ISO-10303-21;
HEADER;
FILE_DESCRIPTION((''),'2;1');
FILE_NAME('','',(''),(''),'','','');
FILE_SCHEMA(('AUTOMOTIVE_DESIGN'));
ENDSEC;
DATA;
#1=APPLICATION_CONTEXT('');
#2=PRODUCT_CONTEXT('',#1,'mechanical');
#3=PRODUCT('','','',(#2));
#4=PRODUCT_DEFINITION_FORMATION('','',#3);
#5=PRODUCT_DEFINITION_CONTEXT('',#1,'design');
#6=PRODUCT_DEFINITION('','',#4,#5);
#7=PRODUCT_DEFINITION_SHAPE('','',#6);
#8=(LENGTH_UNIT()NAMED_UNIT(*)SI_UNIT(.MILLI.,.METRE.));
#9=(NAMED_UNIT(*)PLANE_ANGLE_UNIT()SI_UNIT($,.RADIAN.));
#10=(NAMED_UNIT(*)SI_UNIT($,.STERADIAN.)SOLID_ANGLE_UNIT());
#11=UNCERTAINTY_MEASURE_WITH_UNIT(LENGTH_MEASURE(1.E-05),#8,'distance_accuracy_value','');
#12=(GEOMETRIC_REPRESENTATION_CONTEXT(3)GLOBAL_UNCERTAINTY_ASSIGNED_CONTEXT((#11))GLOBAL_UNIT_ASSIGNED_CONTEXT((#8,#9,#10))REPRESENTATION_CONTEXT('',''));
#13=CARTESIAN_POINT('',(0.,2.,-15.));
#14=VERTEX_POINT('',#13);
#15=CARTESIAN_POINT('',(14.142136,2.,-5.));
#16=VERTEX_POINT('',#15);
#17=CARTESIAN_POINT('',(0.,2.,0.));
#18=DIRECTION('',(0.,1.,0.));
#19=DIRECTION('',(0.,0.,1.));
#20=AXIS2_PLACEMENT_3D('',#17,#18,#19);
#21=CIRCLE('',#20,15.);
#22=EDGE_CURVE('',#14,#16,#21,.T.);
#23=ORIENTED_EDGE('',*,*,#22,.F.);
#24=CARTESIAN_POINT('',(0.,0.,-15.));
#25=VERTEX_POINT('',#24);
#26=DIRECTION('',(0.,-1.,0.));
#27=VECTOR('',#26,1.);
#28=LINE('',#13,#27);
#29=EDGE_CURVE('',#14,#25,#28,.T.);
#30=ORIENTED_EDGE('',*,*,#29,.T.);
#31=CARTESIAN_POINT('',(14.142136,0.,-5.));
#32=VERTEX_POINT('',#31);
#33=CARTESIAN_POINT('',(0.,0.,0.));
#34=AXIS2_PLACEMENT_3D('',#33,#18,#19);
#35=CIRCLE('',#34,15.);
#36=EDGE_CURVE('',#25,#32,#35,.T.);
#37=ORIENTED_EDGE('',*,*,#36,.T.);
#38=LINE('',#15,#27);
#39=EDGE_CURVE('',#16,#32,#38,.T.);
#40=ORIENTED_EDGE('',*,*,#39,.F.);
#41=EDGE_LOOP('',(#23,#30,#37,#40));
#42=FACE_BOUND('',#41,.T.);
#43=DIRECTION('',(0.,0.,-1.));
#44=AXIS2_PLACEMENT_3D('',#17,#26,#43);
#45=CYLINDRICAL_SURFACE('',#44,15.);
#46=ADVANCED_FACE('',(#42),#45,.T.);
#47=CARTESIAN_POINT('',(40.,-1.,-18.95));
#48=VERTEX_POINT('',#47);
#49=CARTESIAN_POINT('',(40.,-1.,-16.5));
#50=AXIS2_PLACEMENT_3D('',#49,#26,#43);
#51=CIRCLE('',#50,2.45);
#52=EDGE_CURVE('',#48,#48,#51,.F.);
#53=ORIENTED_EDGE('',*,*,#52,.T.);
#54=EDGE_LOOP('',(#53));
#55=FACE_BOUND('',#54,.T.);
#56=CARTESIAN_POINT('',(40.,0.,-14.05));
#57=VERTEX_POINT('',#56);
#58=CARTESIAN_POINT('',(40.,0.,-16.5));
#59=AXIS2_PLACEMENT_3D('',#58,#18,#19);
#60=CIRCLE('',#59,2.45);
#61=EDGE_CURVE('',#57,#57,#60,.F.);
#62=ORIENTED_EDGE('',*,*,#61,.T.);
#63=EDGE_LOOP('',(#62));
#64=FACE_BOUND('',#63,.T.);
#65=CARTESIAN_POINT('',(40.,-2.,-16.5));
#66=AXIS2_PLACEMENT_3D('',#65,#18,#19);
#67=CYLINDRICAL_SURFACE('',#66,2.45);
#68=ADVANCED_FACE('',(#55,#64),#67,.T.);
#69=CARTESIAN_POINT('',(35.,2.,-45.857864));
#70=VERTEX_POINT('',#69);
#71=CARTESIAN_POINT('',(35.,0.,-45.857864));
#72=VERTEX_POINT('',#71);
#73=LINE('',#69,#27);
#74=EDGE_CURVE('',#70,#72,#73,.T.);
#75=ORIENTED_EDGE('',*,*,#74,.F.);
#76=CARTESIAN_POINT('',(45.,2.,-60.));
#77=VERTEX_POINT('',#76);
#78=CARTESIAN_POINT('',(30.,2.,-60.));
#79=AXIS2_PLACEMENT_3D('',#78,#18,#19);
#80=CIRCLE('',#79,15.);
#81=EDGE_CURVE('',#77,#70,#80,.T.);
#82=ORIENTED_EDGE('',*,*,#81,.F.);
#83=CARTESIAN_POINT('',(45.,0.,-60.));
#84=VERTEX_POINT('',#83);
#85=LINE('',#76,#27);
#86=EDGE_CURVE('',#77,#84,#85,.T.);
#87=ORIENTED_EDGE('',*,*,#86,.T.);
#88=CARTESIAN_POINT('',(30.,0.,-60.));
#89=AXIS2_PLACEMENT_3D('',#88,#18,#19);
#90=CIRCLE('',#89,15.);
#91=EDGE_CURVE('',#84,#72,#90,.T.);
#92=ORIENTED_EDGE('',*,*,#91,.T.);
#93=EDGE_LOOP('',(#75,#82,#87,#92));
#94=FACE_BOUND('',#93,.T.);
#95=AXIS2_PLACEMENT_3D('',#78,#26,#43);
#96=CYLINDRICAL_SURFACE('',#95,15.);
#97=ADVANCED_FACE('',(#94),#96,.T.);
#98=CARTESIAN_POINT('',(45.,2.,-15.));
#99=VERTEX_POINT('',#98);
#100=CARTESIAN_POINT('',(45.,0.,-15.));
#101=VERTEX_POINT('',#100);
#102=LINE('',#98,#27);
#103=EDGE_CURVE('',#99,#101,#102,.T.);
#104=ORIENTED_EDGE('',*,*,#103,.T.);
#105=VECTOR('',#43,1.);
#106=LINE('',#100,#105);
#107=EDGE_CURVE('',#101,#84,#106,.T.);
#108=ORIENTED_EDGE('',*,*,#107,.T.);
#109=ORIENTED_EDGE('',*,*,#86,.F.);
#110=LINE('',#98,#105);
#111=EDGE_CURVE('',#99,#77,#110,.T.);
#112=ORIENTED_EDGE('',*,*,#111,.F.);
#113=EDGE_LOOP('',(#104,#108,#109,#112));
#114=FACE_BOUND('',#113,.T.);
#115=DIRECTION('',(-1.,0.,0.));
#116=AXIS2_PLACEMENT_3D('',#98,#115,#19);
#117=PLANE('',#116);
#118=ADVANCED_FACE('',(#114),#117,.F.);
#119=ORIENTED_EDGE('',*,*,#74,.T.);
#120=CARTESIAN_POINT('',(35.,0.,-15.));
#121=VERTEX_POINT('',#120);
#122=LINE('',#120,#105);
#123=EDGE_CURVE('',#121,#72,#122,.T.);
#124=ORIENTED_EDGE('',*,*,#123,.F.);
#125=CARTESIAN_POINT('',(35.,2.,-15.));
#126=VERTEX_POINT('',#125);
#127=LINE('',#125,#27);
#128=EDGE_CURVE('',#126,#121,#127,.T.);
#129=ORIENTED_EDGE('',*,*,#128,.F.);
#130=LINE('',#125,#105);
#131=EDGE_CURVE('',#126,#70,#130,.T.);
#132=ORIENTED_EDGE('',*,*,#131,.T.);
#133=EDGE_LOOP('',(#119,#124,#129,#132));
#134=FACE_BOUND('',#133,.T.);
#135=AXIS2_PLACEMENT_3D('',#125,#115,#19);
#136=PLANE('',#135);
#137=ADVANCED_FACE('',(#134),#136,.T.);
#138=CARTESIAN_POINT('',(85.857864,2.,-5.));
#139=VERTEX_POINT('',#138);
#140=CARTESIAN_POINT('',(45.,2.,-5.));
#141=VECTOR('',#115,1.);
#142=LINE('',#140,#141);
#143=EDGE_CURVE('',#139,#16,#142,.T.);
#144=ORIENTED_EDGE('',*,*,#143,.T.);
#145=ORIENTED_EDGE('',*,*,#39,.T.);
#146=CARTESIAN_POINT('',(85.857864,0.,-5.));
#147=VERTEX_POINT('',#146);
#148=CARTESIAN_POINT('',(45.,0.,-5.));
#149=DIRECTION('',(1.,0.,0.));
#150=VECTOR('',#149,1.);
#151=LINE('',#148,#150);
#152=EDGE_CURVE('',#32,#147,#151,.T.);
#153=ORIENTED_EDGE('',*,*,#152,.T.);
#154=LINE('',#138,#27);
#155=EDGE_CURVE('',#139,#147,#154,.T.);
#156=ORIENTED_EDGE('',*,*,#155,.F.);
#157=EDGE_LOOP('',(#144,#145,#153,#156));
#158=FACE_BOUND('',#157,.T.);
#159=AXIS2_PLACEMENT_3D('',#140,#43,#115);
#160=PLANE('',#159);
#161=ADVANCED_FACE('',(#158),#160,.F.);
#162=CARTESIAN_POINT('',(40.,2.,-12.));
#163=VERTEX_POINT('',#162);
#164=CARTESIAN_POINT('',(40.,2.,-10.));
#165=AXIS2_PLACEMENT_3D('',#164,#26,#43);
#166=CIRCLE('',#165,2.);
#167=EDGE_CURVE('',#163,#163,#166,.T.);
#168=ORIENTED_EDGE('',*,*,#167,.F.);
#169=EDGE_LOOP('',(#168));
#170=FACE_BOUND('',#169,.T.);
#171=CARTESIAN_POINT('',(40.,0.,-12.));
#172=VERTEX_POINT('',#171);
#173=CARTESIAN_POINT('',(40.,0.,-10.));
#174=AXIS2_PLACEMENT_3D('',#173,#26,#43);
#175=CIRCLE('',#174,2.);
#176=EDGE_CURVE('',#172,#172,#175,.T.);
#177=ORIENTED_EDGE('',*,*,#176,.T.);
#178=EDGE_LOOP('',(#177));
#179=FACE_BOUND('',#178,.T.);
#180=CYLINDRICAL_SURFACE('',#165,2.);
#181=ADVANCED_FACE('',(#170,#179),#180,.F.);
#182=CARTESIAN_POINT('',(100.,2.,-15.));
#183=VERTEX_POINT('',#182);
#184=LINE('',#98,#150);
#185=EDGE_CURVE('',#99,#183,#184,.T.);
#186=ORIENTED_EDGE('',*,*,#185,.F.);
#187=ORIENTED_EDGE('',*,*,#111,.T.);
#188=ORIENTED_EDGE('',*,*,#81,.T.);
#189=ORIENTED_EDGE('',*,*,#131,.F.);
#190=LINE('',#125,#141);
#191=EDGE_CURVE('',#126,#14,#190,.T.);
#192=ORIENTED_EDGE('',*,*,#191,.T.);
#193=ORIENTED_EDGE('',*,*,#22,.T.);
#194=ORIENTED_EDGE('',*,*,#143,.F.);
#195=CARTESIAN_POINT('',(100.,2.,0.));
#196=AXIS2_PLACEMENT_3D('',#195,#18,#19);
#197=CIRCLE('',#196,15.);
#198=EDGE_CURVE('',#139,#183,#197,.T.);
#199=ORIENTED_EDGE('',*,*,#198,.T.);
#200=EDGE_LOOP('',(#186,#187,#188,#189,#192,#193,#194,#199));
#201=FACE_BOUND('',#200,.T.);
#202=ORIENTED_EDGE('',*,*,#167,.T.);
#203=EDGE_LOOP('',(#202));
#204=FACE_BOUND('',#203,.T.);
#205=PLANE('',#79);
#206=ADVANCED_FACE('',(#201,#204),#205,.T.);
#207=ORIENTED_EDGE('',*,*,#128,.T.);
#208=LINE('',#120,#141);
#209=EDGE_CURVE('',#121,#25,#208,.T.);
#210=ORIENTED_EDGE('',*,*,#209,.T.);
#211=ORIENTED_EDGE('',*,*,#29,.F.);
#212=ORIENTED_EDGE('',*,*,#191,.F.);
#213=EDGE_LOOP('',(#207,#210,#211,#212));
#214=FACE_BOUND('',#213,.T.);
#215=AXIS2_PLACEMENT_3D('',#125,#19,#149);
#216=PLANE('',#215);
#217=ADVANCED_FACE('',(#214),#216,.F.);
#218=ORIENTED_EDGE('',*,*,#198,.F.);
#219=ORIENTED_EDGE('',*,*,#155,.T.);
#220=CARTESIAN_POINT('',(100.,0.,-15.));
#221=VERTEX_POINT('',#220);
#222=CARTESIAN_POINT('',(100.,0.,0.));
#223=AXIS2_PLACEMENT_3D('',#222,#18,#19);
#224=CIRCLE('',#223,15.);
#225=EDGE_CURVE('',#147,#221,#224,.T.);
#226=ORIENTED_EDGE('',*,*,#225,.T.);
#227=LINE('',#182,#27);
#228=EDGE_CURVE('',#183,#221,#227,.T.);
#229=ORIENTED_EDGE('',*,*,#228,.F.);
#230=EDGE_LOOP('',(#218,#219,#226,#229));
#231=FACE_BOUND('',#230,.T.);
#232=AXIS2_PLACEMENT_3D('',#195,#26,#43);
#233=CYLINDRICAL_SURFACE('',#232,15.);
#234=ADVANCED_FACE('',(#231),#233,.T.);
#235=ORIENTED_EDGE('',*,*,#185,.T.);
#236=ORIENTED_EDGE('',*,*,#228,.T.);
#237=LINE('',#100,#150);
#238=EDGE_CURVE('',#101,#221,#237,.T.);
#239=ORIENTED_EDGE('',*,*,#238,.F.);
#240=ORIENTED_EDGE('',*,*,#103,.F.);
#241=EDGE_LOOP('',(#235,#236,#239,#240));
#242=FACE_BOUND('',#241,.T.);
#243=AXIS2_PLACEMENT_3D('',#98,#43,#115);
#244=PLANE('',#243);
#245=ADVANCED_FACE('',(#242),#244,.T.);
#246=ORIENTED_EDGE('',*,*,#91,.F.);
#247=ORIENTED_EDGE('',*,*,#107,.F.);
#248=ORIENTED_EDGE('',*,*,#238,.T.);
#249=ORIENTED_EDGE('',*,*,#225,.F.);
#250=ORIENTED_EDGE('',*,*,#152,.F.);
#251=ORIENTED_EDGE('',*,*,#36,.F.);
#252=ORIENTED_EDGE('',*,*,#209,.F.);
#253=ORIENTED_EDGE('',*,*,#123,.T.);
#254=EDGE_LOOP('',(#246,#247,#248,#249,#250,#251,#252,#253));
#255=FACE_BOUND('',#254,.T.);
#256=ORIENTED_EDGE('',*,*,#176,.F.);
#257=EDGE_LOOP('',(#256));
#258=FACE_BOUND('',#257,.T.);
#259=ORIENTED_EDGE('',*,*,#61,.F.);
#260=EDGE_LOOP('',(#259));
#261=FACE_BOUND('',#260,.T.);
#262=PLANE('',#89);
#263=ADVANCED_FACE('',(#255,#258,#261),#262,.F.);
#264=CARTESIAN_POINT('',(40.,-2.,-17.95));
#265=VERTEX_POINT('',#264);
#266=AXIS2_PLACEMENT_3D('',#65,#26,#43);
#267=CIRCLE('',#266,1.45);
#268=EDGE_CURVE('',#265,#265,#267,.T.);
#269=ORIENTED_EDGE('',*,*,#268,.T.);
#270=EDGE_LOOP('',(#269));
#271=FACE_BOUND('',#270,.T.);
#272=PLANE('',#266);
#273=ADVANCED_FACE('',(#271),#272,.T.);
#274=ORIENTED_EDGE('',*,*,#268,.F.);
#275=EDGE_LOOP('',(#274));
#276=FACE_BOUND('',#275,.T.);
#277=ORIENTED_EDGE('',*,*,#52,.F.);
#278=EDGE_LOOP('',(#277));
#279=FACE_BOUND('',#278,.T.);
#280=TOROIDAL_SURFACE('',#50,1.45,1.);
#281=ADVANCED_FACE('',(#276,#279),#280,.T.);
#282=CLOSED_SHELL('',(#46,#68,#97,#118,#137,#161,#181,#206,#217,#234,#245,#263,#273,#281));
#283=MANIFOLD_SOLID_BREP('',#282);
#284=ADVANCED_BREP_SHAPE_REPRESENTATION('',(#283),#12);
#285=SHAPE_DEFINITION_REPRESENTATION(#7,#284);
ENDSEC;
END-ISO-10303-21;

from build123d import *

# Parameters (mm, degrees)
BASEEXTRUDE_DEPTH   = 2
SKETCH1_R           = 2
CUT_EXTRUDE1_DEPTH  = 3
SKETCH2_R           = 2.45
BOSS_EXTRUDE1_DEPTH = 2
FILLET1_R           = 1


with BuildPart() as part:
    # BaseSketch → BaseExtrude (new body)
    with BuildSketch(Plane(origin=(0, 0, 0), x_dir=(1, 0, 0), z_dir=(0, 1, 0))):
        with BuildLine():
            Line((35, 15), (0, 15))
            ThreePointArc((0, 15), (-8.660254038, -12.247448714), (14.142135624, 5))
            Line((14.142135624, 5), (45, 5))
            Line((45, 5), (85.857864376, 5))
            ThreePointArc((85.857864376, 5), (108.660254038, -12.247448714), (100, 15))
            Line((100, 15), (45, 15))
            Line((45, 15), (45, 60))
            ThreePointArc((45, 60), (17.752551286, 68.660254038), (35, 45.857864376))
            Line((35, 45.857864376), (35, 15))
        make_face()
    extrude(amount=BASEEXTRUDE_DEPTH)

    # Sketch1 → Cut-Extrude1 (cut, through all)
    with BuildSketch(Plane.XZ):
        with Locations((40, -10)):
            Circle(SKETCH1_R)
    extrude(amount=-CUT_EXTRUDE1_DEPTH, mode=Mode.SUBTRACT)

    # Sketch2 → Boss-Extrude1 (add)
    with BuildSketch(Plane.XZ):
        with Locations((40, -16.5)):
            Circle(SKETCH2_R)
    extrude(amount=BOSS_EXTRUDE1_DEPTH)

    # Fillet1
    fillet1_edges = [part.edges().sort_by_distance(p)[0] for p in [
        (37.55, -2, -16.5),
    ]]
    fillet(fillet1_edges, radius=FILLET1_R)


solid = part.part
